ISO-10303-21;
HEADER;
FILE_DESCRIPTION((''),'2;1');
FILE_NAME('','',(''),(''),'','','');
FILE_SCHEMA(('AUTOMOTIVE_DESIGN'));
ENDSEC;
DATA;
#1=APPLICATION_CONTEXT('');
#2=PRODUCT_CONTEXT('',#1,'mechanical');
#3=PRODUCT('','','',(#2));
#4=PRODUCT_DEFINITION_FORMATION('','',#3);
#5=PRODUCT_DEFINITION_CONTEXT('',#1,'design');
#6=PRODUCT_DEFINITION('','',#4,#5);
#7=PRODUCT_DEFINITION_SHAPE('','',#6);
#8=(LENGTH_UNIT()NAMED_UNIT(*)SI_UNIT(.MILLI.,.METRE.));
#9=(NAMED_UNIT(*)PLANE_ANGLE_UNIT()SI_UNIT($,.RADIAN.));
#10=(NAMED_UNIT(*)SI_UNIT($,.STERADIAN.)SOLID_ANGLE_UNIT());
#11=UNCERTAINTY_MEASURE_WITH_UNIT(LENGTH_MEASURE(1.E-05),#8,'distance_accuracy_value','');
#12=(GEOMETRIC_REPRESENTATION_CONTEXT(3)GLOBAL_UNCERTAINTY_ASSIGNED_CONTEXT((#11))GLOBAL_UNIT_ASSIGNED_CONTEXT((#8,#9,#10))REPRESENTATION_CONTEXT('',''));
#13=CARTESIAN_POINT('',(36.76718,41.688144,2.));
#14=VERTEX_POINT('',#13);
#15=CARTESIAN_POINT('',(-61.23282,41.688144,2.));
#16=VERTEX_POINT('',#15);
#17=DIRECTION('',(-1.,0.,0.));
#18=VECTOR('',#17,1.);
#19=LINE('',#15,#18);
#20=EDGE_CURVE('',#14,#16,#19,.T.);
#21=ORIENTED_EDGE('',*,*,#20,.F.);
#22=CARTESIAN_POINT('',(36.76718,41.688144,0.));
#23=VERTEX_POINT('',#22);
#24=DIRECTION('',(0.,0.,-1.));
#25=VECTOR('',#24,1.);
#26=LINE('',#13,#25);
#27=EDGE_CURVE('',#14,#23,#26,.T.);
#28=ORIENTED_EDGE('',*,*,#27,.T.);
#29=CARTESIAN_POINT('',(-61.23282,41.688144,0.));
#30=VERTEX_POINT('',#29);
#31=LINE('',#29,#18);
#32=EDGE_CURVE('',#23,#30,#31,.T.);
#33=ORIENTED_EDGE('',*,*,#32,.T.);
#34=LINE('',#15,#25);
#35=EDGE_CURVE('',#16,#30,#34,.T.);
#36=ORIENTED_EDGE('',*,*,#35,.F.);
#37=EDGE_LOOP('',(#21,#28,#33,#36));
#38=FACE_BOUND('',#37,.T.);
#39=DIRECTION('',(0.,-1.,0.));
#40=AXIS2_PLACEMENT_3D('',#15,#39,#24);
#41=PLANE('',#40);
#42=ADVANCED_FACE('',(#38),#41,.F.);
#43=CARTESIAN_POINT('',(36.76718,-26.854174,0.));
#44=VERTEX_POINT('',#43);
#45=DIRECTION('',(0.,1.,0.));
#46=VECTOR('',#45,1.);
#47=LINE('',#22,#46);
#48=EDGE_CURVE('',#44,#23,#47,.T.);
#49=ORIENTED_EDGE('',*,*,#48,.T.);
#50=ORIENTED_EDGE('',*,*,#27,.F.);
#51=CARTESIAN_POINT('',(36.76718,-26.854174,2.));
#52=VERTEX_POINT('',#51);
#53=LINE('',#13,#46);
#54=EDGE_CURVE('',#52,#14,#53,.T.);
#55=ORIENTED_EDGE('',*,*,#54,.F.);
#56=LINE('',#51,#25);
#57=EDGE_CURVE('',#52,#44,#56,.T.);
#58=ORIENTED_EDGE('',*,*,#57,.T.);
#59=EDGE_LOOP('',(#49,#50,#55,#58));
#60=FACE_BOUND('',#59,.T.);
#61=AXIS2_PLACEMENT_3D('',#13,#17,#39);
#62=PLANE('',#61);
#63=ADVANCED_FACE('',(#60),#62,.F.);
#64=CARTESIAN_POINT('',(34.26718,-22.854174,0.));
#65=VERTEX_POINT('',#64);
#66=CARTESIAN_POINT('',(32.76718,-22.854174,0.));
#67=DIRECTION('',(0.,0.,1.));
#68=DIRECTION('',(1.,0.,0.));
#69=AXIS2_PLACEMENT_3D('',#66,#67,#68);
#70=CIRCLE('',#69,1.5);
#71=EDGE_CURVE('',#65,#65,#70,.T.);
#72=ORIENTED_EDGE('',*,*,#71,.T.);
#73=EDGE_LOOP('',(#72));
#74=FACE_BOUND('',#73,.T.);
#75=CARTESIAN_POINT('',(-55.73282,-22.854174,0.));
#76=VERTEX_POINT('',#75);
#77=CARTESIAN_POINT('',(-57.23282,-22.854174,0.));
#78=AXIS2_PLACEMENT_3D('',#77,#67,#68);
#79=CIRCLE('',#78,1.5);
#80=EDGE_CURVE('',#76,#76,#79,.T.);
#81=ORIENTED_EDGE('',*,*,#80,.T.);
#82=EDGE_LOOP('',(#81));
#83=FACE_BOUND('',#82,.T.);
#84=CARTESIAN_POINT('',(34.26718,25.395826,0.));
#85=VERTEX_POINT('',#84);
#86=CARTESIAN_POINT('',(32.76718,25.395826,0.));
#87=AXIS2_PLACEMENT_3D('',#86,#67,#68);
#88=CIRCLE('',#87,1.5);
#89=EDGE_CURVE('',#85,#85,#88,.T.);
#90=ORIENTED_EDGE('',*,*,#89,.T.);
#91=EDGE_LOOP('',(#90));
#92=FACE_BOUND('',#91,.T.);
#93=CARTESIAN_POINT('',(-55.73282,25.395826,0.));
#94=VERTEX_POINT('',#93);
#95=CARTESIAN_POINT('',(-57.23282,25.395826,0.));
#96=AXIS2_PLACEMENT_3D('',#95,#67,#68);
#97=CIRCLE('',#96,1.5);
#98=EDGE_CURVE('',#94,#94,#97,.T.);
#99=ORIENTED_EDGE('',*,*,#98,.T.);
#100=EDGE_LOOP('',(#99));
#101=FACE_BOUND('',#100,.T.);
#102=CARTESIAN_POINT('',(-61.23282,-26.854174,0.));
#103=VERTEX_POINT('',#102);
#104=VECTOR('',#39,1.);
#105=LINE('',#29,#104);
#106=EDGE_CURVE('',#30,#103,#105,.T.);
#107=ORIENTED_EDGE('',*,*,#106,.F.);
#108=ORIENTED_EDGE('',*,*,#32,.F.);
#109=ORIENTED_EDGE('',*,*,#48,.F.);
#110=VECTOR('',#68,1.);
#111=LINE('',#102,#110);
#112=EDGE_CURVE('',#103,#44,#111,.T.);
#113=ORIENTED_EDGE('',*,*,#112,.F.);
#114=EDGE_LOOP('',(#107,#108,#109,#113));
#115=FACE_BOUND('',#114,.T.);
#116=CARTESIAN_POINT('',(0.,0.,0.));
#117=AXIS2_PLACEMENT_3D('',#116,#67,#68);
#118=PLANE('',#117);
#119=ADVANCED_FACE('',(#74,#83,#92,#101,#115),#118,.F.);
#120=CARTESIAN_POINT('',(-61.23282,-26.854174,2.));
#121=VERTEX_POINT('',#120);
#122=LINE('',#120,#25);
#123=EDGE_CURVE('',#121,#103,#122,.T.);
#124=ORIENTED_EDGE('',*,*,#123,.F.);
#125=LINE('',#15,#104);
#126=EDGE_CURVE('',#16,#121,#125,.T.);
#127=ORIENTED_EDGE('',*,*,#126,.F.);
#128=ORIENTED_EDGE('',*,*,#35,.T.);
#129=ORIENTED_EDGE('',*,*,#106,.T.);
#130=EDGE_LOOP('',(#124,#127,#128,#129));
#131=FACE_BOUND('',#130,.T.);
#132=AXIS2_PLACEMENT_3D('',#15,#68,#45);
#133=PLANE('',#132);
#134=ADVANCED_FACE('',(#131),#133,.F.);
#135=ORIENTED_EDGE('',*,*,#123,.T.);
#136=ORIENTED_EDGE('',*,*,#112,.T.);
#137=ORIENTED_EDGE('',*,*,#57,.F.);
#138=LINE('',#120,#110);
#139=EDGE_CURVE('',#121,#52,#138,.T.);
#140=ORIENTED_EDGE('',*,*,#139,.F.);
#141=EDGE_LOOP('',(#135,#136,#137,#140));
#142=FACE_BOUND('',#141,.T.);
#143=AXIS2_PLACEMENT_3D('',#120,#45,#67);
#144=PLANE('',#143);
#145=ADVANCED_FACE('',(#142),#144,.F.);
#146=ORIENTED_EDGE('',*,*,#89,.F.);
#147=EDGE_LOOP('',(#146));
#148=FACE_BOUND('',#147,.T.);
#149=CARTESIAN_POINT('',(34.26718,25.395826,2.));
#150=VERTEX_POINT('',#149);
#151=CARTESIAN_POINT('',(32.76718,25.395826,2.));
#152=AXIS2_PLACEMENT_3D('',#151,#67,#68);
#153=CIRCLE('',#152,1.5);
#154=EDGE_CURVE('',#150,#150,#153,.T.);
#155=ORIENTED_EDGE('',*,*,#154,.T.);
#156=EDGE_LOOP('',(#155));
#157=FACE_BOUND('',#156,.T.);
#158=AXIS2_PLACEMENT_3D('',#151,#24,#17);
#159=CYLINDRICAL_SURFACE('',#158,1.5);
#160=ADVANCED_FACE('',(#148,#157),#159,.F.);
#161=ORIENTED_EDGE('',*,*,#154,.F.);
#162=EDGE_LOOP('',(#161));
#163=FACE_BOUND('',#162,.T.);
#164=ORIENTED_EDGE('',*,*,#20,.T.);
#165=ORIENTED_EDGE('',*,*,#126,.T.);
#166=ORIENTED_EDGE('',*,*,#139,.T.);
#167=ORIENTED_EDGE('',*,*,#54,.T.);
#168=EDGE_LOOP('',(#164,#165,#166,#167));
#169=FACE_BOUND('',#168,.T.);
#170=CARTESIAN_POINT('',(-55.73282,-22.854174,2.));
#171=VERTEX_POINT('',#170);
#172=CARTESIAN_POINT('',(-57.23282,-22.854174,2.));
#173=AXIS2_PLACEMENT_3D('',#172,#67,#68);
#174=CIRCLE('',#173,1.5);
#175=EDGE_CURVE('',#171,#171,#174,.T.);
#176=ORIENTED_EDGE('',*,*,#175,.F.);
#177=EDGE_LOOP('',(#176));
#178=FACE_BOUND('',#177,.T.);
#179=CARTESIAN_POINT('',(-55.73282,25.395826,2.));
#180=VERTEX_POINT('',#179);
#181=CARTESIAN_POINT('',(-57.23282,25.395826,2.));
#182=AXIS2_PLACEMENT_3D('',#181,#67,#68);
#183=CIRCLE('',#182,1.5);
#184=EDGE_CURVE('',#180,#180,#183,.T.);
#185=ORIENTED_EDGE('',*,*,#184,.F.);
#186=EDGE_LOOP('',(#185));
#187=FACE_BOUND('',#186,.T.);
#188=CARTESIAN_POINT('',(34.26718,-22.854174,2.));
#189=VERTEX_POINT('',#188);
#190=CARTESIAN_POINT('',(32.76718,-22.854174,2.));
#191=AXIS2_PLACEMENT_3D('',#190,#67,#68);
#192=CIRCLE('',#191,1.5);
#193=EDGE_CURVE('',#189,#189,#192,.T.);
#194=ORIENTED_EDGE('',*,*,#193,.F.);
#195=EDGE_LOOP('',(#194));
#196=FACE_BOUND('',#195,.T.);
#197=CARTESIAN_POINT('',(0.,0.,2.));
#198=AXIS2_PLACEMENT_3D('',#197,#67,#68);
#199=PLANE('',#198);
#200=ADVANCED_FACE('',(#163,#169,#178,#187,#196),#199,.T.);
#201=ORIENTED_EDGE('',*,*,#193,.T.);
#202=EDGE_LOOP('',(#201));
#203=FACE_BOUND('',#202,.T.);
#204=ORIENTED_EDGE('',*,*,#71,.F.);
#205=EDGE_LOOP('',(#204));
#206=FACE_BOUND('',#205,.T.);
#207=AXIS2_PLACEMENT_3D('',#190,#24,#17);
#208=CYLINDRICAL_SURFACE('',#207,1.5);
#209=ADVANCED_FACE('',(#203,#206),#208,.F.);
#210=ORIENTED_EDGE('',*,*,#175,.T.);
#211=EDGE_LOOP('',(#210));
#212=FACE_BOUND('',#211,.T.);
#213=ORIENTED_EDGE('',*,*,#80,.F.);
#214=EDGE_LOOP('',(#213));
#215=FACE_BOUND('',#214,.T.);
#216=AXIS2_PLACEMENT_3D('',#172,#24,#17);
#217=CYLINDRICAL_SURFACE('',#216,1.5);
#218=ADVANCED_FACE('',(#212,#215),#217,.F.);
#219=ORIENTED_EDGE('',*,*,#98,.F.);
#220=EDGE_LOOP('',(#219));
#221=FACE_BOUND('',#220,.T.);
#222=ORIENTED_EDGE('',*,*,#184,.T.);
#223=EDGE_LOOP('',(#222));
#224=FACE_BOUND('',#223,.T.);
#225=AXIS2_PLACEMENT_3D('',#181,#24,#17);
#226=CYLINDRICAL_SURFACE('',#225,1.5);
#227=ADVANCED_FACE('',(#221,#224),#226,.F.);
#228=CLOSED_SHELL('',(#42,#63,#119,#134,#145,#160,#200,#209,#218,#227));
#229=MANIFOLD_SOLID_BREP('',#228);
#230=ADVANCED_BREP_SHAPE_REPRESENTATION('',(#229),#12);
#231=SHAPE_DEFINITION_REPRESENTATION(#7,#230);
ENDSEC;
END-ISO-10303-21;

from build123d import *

# Parameters (mm, degrees)
SKETCH_1_W      = 98
SKETCH_1_H      = 68.54231853
SKETCH_1_R      = 1.5
EXTRUDE_1_DEPTH = 2


with BuildPart() as part:
    # 草圖1 → 填料-伸長1 (new body)
    with BuildSketch(Plane.XY):
        with Locations((-12.23282012, 7.416985065)):
            Rectangle(SKETCH_1_W, SKETCH_1_H)
        with Locations((-57.23282012, 25.3958258)):
            Circle(SKETCH_1_R, mode=Mode.SUBTRACT)
        with Locations((-57.23282012, -22.8541742)):
            Circle(SKETCH_1_R, mode=Mode.SUBTRACT)
        with Locations((32.76717988, -22.8541742)):
            Circle(SKETCH_1_R, mode=Mode.SUBTRACT)
        with Locations((32.76717988, 25.3958258)):
            Circle(SKETCH_1_R, mode=Mode.SUBTRACT)
    extrude(amount=EXTRUDE_1_DEPTH)


solid = part.part
